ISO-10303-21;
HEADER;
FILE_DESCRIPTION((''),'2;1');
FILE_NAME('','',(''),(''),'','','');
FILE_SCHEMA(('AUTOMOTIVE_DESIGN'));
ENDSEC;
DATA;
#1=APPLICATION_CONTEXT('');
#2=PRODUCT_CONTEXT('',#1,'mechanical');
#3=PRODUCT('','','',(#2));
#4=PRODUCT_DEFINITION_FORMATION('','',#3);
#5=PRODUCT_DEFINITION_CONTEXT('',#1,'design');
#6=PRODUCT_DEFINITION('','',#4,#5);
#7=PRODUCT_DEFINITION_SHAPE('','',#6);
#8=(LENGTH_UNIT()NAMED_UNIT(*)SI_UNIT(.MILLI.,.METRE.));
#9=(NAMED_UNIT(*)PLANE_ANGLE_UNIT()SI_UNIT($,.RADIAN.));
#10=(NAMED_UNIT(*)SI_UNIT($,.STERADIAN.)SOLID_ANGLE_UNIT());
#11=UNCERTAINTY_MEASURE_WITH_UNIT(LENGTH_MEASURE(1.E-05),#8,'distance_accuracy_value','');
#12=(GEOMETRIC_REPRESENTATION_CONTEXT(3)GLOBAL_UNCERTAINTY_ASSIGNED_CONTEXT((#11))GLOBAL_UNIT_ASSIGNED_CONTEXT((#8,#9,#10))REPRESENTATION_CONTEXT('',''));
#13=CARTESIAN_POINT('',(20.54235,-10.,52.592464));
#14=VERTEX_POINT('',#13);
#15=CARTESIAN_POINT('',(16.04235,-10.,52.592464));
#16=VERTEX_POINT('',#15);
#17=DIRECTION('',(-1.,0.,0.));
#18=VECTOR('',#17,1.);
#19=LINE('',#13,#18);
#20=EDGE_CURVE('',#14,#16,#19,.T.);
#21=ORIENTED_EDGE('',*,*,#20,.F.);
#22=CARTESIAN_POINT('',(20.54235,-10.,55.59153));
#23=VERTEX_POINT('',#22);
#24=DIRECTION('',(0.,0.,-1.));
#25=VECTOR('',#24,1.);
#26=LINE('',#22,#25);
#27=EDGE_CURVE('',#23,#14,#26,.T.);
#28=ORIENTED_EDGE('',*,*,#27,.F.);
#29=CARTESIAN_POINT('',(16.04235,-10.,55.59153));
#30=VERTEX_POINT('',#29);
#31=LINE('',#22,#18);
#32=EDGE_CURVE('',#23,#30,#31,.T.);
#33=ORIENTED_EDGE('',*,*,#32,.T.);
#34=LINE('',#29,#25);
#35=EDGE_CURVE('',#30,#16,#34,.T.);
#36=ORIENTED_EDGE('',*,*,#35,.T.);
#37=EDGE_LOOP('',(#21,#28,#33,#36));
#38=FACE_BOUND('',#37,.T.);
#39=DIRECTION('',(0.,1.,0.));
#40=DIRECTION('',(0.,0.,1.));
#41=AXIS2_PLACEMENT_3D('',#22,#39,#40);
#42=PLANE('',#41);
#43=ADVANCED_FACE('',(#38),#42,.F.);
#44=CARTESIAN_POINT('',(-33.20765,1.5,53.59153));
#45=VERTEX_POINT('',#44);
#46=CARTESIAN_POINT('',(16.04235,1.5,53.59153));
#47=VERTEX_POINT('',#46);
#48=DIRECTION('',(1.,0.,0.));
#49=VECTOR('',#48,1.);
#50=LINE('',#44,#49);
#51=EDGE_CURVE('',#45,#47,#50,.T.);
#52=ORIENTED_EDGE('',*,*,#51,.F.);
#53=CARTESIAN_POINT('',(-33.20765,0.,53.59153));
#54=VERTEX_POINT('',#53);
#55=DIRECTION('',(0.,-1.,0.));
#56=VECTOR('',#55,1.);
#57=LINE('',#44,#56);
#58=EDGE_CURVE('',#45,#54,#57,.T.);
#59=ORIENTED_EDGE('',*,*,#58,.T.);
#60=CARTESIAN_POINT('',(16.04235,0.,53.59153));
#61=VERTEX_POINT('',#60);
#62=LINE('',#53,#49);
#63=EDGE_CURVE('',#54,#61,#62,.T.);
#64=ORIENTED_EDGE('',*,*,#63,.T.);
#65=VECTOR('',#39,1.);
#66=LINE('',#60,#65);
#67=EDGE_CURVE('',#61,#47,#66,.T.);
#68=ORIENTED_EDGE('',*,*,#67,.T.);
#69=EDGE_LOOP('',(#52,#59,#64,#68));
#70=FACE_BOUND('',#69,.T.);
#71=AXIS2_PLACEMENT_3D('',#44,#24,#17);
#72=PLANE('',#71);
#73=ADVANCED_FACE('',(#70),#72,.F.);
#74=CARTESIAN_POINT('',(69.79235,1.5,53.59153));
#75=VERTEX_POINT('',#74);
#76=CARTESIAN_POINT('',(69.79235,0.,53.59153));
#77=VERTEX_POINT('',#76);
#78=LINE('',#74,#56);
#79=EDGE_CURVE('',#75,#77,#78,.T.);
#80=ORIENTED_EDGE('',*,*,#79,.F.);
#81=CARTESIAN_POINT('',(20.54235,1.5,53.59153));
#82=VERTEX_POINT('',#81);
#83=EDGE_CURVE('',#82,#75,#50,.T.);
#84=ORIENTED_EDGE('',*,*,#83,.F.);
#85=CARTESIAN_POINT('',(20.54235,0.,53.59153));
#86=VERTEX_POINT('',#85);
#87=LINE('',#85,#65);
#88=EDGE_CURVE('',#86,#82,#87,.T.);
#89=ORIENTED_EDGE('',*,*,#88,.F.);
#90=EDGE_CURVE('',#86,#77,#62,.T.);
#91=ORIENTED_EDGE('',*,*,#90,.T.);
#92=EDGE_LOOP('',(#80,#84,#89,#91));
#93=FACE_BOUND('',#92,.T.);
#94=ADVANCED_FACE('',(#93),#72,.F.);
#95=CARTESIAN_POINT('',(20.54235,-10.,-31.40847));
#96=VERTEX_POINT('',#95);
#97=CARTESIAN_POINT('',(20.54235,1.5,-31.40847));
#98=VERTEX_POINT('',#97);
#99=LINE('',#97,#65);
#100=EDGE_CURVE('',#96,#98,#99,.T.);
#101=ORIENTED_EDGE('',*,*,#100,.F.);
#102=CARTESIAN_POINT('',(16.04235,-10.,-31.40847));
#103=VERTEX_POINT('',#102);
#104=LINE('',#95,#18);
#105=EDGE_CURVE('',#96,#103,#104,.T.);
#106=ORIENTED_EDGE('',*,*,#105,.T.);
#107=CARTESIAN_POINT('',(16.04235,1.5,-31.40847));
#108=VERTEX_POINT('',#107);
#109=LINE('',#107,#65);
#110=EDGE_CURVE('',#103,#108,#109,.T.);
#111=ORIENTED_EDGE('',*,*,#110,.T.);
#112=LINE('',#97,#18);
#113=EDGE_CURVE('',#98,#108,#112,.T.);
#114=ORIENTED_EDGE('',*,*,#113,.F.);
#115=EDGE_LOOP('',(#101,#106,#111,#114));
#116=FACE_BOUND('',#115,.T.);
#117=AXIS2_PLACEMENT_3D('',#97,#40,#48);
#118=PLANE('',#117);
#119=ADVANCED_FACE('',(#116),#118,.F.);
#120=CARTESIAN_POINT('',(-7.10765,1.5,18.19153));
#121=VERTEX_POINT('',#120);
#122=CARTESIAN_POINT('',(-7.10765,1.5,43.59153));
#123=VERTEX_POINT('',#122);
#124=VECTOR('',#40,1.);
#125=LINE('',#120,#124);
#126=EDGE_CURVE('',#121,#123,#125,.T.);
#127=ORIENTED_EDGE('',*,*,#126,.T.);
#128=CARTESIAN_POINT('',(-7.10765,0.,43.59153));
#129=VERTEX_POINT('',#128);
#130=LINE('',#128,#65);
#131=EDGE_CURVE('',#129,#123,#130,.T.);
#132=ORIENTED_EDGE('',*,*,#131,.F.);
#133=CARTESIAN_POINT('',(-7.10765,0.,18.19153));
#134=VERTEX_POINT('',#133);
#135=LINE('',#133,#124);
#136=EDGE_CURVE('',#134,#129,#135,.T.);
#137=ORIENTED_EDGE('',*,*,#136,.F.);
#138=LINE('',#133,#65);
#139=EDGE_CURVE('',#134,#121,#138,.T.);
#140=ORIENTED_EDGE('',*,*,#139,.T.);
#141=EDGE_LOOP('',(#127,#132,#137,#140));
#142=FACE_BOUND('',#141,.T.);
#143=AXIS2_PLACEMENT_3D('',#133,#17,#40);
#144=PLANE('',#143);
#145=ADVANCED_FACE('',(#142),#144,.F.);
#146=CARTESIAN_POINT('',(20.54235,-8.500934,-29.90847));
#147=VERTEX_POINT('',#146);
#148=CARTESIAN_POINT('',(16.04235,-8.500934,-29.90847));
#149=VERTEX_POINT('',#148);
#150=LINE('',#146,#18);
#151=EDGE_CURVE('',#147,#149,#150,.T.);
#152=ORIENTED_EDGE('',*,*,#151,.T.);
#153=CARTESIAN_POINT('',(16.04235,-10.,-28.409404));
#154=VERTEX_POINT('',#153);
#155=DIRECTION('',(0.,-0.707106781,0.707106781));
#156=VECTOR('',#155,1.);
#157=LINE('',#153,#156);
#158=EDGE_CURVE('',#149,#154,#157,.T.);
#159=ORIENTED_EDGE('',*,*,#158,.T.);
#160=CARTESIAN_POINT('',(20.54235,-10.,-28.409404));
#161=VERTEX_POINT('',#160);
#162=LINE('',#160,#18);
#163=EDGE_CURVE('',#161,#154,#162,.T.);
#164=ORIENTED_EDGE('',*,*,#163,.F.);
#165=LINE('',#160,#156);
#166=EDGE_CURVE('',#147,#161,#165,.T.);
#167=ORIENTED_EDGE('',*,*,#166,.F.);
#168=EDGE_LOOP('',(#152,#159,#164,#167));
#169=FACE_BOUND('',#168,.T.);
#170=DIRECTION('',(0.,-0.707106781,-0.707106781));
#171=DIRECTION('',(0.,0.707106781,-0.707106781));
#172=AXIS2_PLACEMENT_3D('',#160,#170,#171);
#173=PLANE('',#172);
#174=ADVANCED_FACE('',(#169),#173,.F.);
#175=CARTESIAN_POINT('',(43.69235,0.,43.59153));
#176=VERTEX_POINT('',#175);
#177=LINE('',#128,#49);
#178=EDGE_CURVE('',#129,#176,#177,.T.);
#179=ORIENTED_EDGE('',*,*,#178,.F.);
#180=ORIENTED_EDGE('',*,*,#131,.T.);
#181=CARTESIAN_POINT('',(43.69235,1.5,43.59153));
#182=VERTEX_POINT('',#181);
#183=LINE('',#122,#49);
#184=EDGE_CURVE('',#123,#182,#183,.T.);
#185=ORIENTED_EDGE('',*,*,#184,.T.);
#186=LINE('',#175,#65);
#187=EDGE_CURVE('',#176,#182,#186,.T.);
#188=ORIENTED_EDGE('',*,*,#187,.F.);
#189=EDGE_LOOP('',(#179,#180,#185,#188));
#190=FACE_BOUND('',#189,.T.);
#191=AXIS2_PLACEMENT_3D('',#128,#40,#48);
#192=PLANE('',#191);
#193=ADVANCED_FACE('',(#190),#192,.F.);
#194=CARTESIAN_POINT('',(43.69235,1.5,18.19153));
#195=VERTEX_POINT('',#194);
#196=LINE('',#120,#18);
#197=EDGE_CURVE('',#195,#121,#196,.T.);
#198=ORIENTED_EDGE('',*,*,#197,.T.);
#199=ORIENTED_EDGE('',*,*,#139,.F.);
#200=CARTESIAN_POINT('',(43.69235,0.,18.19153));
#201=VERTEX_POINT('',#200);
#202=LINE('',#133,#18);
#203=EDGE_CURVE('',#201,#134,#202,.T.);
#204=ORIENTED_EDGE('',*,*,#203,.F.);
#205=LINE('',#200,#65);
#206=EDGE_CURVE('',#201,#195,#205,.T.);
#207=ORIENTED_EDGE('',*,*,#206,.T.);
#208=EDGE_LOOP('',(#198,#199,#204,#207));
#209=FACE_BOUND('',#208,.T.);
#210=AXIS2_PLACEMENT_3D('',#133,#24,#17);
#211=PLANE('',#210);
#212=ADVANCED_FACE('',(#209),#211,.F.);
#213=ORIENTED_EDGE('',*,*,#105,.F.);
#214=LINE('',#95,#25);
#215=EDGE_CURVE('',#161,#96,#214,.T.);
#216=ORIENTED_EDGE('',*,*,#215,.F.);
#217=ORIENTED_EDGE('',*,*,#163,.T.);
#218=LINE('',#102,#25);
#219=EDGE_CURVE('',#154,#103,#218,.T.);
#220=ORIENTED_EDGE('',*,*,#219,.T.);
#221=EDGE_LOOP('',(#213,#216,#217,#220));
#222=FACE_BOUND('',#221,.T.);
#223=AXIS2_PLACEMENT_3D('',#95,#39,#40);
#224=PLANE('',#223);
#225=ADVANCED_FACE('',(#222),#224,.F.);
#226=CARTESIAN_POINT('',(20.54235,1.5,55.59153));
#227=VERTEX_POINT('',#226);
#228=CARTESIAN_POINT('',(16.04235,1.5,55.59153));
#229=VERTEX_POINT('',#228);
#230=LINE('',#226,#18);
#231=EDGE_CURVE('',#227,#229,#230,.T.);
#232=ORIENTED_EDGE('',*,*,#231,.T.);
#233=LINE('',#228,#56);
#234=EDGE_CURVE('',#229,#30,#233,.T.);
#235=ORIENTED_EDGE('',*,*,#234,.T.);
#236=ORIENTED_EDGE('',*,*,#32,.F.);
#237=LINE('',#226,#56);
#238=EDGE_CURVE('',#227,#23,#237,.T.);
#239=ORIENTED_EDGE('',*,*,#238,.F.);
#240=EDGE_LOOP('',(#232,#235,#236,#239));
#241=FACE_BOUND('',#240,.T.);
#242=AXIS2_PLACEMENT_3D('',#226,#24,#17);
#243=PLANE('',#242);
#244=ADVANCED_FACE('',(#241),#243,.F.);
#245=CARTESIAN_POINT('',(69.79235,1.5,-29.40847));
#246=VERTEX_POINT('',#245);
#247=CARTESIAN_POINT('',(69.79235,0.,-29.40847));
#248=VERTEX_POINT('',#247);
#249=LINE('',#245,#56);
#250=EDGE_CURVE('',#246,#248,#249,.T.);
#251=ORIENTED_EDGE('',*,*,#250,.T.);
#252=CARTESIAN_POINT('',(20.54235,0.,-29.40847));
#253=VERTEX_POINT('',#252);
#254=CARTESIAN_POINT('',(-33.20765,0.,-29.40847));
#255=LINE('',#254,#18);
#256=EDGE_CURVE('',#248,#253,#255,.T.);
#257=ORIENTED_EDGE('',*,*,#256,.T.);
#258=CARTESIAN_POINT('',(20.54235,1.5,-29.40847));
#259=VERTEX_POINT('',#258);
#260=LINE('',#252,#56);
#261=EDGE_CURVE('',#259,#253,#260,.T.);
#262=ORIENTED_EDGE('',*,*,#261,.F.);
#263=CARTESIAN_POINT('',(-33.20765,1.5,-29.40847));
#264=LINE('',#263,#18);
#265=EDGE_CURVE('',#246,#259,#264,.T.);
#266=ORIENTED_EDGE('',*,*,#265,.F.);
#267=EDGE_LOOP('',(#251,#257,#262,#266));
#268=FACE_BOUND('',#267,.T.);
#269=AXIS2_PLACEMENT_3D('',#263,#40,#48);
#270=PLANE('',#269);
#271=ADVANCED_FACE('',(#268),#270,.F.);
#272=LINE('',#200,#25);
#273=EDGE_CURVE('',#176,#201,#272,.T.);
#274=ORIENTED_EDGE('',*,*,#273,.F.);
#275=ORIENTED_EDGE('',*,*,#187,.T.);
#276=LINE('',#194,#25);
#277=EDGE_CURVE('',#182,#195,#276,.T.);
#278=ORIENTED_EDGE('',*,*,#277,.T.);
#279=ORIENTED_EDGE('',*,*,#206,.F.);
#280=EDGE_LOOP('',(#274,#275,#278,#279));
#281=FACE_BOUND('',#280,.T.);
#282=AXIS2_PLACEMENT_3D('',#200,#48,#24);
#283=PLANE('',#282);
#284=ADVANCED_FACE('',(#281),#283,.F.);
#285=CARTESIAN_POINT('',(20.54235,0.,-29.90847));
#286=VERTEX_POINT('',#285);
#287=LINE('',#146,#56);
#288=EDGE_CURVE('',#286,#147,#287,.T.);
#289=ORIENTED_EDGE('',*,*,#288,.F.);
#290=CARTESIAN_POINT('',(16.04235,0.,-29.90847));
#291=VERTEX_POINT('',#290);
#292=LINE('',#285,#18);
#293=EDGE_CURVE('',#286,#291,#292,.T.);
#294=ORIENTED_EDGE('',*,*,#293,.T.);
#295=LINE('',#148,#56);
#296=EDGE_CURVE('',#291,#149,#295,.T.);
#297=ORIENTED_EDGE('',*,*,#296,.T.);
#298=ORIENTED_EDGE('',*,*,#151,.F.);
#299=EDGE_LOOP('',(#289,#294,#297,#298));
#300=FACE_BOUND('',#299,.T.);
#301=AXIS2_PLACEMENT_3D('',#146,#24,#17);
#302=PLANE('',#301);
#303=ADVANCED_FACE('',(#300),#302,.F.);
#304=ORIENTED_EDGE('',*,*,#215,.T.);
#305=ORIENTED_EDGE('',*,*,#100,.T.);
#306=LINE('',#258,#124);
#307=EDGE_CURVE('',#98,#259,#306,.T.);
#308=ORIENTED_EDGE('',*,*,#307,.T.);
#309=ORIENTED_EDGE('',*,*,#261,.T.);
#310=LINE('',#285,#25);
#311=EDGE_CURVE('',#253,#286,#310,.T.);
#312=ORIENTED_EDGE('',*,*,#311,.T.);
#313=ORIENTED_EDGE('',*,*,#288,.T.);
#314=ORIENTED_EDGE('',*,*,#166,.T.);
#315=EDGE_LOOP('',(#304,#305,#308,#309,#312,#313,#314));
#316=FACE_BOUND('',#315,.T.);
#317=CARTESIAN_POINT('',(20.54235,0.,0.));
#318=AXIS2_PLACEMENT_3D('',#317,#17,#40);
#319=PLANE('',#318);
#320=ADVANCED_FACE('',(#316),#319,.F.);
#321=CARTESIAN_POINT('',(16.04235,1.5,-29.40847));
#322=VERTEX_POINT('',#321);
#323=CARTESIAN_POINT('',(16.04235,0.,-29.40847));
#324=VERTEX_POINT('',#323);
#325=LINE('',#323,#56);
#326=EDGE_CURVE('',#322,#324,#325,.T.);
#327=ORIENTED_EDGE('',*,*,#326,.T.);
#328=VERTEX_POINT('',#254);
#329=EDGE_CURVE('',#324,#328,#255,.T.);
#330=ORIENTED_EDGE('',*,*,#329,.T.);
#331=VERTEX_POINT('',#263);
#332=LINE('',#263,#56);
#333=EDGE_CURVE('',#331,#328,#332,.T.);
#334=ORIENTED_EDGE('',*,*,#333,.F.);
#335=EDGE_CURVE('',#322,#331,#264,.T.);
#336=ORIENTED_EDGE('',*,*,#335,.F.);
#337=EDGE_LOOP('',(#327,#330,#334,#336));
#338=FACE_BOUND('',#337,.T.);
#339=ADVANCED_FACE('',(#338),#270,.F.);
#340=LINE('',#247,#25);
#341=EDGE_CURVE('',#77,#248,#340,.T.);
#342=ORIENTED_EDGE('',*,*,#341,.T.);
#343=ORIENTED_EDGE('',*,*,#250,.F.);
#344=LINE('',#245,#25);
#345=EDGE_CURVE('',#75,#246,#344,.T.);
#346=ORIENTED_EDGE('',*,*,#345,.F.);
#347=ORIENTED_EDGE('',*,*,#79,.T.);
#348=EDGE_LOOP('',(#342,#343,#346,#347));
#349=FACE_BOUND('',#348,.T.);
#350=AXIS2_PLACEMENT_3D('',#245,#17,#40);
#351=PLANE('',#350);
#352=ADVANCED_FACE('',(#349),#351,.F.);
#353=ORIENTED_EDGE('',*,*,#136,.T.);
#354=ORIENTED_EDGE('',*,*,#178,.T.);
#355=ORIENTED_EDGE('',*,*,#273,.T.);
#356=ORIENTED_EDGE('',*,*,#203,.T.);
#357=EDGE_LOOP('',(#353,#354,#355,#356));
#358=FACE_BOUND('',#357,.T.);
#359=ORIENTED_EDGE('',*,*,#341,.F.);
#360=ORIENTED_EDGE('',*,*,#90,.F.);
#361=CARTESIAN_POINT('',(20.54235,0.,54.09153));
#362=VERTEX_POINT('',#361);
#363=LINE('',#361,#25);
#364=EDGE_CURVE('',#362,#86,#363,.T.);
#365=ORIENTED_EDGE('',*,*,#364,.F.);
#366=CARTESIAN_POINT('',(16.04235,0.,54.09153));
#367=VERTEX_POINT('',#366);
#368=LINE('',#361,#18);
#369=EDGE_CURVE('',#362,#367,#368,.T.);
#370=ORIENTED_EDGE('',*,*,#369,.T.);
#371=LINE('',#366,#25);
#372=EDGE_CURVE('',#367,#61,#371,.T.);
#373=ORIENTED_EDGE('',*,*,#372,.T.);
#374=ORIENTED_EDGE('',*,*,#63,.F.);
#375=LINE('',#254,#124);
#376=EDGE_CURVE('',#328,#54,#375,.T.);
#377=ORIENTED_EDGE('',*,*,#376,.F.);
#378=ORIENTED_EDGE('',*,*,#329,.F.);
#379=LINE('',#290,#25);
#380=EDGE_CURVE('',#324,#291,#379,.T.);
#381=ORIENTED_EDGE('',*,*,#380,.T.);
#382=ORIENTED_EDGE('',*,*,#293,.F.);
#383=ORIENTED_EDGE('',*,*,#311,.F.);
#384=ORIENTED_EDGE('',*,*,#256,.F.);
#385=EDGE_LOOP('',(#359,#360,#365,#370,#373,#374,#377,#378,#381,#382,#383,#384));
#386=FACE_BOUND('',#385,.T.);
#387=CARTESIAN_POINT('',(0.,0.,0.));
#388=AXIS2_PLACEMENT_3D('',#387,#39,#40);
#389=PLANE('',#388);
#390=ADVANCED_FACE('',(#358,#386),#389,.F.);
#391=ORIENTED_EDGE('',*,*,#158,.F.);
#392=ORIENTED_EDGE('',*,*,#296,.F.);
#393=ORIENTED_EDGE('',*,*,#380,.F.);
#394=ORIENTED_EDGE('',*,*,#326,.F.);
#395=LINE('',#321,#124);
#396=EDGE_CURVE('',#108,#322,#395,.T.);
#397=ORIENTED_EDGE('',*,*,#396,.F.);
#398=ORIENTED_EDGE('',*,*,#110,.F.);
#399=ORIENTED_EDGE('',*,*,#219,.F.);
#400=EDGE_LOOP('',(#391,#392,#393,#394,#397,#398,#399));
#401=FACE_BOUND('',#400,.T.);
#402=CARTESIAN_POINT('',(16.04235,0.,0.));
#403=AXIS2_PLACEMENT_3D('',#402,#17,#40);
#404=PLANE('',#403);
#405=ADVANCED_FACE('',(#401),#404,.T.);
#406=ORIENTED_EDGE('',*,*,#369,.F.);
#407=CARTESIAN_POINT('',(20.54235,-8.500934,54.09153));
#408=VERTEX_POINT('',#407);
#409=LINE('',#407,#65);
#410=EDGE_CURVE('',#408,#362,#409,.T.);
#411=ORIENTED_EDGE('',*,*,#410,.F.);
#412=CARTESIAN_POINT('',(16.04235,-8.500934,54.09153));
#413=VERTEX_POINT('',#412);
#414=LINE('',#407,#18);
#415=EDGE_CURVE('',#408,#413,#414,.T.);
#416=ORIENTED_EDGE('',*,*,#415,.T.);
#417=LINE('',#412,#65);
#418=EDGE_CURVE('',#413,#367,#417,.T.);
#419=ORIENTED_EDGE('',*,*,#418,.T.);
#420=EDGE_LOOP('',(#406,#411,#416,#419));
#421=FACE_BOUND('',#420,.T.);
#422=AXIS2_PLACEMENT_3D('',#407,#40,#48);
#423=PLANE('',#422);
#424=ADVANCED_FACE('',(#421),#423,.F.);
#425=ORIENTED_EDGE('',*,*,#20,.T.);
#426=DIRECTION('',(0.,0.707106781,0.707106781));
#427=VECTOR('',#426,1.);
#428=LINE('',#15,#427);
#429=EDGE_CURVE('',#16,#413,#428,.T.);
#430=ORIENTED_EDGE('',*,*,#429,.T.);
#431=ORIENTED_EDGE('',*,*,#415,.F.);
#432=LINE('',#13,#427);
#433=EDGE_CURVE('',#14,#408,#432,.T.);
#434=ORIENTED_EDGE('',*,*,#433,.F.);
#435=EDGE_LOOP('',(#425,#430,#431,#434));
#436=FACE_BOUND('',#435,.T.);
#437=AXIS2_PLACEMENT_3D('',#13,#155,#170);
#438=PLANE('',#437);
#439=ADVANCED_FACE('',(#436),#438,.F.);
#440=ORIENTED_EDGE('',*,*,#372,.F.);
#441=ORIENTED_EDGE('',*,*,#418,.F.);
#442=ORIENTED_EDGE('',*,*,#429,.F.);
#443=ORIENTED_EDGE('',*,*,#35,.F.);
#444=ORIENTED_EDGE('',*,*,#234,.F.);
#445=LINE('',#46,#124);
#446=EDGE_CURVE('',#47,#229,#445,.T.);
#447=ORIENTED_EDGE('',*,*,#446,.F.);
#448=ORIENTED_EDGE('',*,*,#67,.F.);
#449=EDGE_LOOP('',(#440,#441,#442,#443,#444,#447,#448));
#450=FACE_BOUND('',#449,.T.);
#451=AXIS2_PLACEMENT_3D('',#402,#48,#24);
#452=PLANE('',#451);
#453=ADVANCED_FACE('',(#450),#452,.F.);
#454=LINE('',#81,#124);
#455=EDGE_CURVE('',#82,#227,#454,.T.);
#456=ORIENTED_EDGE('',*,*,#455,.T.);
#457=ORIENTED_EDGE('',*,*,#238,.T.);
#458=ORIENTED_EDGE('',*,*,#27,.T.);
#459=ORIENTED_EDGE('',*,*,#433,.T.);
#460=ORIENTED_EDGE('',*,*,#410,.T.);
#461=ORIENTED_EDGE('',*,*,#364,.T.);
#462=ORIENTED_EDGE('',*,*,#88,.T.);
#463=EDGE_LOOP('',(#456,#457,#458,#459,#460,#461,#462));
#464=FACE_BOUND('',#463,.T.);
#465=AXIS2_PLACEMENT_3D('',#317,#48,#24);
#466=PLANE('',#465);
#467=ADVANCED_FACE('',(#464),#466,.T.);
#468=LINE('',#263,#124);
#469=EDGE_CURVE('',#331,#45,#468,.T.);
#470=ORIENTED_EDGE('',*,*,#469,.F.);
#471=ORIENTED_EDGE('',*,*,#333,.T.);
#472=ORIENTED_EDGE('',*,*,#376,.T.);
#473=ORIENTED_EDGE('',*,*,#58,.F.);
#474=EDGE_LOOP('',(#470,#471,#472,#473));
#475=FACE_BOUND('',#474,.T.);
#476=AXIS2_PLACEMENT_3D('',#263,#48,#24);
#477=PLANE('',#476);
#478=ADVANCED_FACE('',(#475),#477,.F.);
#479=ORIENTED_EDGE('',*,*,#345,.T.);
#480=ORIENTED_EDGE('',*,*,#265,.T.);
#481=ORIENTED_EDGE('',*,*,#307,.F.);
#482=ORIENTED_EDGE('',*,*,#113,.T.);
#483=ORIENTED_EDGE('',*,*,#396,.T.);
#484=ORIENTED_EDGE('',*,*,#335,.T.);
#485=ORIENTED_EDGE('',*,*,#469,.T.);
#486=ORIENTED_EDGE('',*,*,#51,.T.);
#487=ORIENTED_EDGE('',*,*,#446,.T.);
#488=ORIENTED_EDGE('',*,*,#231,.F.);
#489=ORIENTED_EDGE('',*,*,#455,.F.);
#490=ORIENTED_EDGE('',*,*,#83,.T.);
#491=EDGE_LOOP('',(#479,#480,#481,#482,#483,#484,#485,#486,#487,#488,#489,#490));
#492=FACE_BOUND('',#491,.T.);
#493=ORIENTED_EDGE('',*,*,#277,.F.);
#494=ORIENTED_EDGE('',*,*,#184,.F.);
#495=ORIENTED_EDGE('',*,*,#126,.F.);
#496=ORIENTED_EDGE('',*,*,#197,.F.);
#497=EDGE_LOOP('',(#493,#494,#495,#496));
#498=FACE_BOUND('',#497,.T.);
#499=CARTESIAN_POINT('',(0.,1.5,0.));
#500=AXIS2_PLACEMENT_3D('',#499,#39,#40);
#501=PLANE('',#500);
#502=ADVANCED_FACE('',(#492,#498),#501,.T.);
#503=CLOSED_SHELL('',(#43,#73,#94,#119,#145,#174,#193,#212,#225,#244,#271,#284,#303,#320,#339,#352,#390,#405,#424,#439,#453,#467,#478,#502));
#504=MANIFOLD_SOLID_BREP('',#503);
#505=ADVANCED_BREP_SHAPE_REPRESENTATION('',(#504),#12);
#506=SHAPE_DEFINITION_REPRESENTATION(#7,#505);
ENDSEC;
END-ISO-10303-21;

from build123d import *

# Parameters (mm, degrees)
SKETCH1_W           = 103
SKETCH1_H           = 83
BOSS_EXTRUDE1_DEPTH = 1.5
BOSS_EXTRUDE2_DEPTH = 2.25
SKETCH3_W           = 50.8
SKETCH3_H           = 25.4
CUT_EXTRUDE1_DEPTH  = 1.5


with BuildPart() as part:
    # Sketch1 → Boss-Extrude1 (new body)
    with BuildSketch(Plane(origin=(0, 0, 0), x_dir=(1, 0, 0), z_dir=(0, 1, 0))):
        with Locations((18.292349727, -12.091530055)):
            Rectangle(SKETCH1_W, SKETCH1_H)
    extrude(amount=BOSS_EXTRUDE1_DEPTH)

    # Sketch2 → Boss-Extrude2 (add, symmetric)
    with BuildSketch(Plane(origin=(18.292349727, 0, 0), x_dir=(0, 0, -1), z_dir=(1, 0, 0))):
        Polygon((-53.591530055, 1.5), (-55.591530055, 1.5), (-55.591530055, -10), (-52.592463679, -10), (-54.091530055, -8.500933624), (-54.091530055, 0), (-53.591530055, 0), align=None)
        Polygon((29.408469945, 0), (29.408469945, 1.5), (31.408469945, 1.5), (31.408469945, -10), (28.409403569, -10), (29.908469945, -8.500933624), (29.908469945, 0), align=None)
    extrude(amount=BOSS_EXTRUDE2_DEPTH, both=True)

    # Sketch3 → Cut-Extrude1 (cut)
    with BuildSketch(Plane(origin=(0, 1.5, 0), x_dir=(1, 0, 0), z_dir=(0, 1, 0))):
        with Locations((18.292349727, -30.891530055)):
            Rectangle(SKETCH3_W, SKETCH3_H)
    extrude(amount=-CUT_EXTRUDE1_DEPTH, mode=Mode.SUBTRACT)


solid = part.part
